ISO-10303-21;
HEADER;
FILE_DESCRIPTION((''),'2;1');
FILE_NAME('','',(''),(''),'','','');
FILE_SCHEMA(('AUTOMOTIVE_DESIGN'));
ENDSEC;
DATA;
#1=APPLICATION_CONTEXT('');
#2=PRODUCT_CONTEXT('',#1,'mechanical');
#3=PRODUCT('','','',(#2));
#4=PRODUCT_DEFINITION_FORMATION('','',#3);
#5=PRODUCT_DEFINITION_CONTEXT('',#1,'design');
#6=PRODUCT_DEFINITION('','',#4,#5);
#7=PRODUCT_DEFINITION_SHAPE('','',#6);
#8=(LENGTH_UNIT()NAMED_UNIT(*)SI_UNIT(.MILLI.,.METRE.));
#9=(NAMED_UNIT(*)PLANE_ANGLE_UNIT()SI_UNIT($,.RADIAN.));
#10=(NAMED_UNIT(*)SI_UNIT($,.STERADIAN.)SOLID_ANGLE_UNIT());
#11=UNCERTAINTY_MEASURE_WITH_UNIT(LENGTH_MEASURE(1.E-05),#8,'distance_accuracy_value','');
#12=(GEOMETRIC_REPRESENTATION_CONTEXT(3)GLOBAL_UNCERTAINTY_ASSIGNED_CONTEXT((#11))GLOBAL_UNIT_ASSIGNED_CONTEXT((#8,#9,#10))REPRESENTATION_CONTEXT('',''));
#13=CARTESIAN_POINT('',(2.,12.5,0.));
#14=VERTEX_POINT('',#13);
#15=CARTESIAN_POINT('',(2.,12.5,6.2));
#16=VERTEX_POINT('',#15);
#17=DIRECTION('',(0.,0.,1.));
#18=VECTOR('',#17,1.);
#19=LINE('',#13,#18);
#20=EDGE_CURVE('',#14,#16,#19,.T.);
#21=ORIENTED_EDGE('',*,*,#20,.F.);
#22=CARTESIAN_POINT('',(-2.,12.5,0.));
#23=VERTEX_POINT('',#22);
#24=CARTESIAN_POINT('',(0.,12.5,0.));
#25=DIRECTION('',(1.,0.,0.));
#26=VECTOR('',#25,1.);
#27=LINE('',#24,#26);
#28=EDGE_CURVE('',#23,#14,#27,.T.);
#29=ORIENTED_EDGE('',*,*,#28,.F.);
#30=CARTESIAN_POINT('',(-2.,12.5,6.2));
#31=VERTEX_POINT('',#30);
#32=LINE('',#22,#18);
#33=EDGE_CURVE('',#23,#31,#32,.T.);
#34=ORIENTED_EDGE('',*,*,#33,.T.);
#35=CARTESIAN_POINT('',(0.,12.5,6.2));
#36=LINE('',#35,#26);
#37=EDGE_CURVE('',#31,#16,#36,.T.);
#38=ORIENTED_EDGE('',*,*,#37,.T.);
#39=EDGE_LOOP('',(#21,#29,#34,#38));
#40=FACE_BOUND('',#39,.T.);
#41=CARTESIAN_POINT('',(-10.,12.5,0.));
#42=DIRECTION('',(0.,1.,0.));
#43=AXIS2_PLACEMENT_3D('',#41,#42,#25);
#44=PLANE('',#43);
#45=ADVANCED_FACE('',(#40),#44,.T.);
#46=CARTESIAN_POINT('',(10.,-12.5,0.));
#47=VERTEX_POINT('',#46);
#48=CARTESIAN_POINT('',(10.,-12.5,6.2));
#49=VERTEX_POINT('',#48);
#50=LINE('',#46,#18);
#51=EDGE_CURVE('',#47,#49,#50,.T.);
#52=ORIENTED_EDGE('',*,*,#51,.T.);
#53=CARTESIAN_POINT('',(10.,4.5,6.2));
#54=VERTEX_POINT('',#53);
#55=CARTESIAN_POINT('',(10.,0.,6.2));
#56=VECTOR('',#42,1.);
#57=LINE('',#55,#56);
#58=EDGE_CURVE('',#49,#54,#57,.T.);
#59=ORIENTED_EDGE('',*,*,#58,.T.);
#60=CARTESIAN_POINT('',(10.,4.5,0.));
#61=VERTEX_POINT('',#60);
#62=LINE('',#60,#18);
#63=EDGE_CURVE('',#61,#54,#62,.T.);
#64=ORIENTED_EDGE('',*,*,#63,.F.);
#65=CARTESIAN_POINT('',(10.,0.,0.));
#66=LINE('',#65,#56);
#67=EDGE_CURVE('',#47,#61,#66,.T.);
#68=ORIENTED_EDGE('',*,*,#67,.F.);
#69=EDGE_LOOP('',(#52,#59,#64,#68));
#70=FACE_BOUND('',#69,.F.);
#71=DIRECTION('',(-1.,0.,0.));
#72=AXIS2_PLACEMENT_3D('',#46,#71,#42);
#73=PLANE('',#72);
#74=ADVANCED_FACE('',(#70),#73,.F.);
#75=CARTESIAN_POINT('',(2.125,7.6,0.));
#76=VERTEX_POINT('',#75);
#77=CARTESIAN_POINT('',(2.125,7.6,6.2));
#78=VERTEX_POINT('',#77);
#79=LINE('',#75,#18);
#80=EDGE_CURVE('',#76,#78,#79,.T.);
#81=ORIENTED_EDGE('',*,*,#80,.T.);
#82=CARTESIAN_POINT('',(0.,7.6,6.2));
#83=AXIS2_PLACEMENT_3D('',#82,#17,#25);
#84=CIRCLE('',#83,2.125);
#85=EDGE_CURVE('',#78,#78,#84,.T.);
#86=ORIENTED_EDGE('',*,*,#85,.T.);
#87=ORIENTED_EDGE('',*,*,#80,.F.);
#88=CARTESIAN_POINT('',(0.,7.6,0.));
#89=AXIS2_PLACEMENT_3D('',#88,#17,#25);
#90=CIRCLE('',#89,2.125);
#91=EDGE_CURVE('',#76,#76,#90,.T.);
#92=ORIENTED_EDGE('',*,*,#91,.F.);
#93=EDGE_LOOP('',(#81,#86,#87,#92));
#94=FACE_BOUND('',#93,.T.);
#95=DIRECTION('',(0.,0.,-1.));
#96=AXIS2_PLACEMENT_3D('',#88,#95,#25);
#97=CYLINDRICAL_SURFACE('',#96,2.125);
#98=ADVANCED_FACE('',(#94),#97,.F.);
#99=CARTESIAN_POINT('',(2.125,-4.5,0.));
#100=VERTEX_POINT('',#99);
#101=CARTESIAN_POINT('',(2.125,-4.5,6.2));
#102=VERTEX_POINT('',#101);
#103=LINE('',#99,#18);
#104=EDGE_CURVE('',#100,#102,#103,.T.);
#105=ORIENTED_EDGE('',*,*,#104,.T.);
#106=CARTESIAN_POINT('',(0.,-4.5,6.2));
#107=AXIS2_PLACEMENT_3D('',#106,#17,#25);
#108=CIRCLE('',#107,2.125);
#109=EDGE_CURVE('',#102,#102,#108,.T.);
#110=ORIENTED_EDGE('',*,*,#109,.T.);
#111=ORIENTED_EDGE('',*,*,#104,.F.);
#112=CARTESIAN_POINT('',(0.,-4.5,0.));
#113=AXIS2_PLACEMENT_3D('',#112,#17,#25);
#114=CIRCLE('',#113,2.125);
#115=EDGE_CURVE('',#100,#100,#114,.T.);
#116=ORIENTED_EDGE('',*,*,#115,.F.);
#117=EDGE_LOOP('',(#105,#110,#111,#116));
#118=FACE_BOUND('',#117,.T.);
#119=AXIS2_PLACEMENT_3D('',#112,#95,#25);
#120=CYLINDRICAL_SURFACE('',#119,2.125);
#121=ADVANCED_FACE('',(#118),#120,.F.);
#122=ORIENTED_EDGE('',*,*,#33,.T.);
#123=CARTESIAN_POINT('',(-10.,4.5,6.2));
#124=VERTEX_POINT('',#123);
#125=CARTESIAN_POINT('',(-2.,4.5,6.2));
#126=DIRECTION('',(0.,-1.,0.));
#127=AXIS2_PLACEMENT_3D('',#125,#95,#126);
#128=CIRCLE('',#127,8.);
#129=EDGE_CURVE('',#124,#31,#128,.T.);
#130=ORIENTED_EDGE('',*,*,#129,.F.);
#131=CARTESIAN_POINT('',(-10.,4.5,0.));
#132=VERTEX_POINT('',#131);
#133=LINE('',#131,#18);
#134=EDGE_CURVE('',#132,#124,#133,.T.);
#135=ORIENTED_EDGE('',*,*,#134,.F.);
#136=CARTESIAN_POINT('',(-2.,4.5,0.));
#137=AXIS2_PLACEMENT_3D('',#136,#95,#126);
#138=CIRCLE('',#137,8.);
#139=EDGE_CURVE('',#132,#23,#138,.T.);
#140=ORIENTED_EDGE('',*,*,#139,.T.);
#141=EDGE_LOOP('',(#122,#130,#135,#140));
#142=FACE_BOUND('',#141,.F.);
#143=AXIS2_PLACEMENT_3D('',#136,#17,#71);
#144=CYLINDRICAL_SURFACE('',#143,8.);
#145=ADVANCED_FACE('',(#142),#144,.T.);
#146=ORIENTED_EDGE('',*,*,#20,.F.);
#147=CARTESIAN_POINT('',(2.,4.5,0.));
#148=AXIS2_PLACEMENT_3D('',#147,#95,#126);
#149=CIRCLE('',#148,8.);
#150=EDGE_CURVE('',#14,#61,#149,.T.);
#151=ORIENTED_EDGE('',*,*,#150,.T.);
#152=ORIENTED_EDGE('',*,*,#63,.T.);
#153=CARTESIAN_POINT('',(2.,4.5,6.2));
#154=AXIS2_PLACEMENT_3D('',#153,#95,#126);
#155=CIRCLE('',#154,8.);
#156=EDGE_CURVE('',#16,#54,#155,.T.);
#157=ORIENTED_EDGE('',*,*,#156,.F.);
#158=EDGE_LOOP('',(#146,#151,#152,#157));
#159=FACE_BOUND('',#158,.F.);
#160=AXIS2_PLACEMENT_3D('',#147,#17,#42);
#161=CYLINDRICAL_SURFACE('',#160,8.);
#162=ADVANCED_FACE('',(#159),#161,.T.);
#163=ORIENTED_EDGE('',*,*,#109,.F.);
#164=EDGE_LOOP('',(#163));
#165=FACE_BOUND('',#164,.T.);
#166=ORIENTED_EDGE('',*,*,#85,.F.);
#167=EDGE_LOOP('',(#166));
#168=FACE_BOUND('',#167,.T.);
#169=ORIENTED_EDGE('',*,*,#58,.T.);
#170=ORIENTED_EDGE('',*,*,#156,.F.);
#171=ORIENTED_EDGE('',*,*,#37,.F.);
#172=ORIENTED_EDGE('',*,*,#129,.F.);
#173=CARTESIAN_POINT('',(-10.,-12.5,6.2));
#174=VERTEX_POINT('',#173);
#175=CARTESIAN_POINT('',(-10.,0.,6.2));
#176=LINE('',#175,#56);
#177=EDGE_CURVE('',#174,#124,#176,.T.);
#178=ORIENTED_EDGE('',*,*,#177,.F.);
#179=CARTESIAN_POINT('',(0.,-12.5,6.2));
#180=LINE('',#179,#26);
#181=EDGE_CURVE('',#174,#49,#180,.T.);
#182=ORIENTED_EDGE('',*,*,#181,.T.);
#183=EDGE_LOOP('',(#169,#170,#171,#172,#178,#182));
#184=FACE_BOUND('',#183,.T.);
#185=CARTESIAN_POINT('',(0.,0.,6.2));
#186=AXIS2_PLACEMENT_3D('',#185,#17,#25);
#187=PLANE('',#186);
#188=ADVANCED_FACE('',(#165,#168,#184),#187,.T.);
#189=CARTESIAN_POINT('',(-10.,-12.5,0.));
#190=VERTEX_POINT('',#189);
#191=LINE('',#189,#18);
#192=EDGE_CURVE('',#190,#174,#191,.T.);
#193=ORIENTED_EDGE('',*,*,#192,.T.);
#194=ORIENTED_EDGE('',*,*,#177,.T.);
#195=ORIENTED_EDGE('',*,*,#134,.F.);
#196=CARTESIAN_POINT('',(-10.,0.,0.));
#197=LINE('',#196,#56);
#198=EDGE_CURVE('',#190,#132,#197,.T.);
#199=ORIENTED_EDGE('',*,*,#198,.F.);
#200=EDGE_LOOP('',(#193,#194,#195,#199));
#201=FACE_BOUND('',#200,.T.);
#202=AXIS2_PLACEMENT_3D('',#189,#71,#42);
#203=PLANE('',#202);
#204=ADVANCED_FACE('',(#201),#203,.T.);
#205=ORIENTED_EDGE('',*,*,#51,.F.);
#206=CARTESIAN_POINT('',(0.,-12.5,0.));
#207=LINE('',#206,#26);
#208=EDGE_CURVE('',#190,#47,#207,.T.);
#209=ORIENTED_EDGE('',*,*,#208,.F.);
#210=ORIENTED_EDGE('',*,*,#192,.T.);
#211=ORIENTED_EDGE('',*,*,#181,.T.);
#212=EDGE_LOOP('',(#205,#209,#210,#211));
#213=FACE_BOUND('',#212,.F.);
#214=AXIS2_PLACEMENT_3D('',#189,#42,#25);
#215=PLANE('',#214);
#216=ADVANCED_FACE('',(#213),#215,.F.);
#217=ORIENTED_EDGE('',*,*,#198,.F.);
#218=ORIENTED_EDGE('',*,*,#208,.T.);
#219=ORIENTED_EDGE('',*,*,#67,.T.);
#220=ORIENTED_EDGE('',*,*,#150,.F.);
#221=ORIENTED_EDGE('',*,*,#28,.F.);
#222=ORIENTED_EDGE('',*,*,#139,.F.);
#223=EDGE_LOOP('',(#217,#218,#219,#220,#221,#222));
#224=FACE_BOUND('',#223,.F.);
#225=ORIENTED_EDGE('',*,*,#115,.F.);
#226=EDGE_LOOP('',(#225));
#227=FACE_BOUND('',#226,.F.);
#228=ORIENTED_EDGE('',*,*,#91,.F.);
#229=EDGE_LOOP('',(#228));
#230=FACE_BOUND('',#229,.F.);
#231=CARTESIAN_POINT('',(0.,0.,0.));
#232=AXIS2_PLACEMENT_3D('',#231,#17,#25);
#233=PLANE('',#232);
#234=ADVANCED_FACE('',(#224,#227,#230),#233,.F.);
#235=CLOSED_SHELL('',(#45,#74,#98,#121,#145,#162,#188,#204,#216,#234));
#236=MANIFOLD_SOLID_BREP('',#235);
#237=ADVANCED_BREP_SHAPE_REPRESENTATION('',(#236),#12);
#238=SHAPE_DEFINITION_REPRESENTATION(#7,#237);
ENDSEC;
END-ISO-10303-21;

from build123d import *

# Parameters (mm, degrees)
F0_W     = 20
F0_H     = 25
F0_R     = 2.125
F1_DEPTH = 6.2
F2_R     = 8


with BuildPart() as f1:
    # F0 (on Top) → F1 (new body)
    with BuildSketch(Plane.XY):
        Rectangle(F0_W, F0_H)
        with Locations((0, -4.5)):
            Circle(F0_R, mode=Mode.SUBTRACT)
        with Locations((0, 7.6)):
            Circle(F0_R, mode=Mode.SUBTRACT)
    extrude(amount=F1_DEPTH)

    # F2
    f2_edges = [f1.edges().sort_by_distance(p)[0] for p in [
        (-10, 12.5, 3.1),
        (10, 12.5, 3.1),
    ]]
    fillet(f2_edges, radius=F2_R)


solid = f1.part
